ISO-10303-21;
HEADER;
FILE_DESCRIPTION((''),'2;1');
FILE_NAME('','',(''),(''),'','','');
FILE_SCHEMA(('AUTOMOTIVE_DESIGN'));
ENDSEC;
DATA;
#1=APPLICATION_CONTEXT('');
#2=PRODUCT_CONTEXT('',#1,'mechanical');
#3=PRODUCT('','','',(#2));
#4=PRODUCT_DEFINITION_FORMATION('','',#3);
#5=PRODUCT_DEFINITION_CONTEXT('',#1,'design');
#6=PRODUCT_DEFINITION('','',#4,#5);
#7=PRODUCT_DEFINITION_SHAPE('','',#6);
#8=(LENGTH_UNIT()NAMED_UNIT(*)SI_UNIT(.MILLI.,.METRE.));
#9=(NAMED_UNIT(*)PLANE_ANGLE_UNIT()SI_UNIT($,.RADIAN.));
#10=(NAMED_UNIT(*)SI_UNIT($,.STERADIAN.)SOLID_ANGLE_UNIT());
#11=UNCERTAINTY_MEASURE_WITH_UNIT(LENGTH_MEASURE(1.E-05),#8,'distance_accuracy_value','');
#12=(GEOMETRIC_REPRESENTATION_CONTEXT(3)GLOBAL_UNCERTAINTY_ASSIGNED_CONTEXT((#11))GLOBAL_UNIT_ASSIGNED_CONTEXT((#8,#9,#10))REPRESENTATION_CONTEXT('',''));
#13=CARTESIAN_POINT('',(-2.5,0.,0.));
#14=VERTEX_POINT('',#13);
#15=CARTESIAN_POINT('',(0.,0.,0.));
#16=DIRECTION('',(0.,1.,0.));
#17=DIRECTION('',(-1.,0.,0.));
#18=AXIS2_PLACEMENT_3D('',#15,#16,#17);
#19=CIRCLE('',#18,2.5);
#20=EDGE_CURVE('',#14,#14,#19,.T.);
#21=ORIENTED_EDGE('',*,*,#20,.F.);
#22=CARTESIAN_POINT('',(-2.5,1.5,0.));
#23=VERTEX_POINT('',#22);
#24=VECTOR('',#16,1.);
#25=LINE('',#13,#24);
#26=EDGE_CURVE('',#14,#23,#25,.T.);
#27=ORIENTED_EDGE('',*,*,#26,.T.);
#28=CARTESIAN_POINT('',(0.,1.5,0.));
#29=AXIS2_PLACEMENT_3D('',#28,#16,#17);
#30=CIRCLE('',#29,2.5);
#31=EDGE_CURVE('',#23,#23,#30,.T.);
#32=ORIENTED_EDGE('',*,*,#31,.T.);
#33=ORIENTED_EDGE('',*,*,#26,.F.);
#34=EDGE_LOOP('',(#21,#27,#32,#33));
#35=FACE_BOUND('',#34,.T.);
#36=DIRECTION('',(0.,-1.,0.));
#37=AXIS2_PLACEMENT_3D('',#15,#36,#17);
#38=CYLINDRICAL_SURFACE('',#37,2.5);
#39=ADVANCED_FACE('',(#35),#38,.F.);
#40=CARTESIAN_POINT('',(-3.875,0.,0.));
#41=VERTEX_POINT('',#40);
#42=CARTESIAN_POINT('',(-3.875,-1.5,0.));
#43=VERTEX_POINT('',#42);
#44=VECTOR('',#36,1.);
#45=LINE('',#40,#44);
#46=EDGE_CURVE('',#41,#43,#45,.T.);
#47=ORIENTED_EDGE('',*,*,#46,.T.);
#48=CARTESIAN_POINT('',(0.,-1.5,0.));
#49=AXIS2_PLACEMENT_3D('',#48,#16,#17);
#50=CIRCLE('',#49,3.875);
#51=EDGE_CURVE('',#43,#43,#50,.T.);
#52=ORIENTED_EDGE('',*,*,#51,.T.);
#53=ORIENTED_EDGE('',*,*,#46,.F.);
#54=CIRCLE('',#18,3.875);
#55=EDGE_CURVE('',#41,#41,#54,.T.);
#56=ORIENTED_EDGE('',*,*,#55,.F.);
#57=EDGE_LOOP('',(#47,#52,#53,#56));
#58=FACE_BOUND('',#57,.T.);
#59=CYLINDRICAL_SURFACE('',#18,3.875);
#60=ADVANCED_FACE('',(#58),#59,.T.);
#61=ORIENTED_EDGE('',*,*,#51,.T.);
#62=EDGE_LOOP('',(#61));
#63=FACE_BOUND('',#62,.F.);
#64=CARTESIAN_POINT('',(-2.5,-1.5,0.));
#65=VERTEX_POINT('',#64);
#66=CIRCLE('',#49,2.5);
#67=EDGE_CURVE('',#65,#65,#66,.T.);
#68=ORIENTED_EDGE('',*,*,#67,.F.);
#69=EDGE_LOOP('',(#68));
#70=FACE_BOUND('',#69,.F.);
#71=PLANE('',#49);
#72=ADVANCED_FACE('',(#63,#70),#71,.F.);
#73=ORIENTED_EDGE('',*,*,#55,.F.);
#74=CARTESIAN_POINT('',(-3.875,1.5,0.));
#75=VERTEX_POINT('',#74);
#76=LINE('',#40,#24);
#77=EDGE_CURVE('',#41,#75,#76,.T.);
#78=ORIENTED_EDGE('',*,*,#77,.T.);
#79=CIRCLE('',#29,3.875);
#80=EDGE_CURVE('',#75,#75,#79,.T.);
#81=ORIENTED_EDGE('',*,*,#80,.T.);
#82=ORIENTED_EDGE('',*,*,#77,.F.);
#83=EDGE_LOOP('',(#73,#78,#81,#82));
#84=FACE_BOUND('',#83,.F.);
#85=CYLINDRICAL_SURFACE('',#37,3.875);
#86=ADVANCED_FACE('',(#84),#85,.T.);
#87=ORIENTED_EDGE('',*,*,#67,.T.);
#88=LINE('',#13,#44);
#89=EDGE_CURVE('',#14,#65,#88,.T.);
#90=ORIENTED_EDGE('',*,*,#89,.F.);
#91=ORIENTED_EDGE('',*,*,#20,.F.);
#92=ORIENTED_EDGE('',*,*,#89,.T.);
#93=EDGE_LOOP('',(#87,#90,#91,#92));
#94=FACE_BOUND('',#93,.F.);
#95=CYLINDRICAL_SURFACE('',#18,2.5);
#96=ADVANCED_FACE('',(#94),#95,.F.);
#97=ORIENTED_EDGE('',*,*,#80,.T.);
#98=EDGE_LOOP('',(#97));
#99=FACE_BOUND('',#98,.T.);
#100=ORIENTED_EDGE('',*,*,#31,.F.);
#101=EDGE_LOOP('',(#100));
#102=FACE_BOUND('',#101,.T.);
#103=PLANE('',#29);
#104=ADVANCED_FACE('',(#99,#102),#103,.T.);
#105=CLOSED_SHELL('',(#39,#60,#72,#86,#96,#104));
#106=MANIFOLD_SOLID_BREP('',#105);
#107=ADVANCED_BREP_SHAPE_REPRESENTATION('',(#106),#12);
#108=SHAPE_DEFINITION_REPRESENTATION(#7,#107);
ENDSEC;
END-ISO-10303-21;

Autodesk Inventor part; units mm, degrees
ref_plane "YZ Plane" through (0, 0, 0) normal (1, 0, 0) x (0, 1, 0)
ref_plane "XZ Plane" through (0, 0, 0) normal (0, 1, 0) x (-1, 0, 0)
ref_plane "XY Plane" through (0, 0, 0) normal (0, 0, 1) x (1, 0, 0)
sketch "Sketch11" plane through (0, 0, 0) normal (0, 1, 0) x (-1, 0, 0)
  circle A0 centre (0, 0) radius 2.5
  circle A1 centre (0, 0) radius 3.875
  dimension "d82" = 5
  dimension "d83" = 7.75
extrude "Extrusion7" add sketch "Sketch11" along normal mid plane 3
properties part number "Nema 17 Plastic Spacer 1" material "Nylon 6/6"
